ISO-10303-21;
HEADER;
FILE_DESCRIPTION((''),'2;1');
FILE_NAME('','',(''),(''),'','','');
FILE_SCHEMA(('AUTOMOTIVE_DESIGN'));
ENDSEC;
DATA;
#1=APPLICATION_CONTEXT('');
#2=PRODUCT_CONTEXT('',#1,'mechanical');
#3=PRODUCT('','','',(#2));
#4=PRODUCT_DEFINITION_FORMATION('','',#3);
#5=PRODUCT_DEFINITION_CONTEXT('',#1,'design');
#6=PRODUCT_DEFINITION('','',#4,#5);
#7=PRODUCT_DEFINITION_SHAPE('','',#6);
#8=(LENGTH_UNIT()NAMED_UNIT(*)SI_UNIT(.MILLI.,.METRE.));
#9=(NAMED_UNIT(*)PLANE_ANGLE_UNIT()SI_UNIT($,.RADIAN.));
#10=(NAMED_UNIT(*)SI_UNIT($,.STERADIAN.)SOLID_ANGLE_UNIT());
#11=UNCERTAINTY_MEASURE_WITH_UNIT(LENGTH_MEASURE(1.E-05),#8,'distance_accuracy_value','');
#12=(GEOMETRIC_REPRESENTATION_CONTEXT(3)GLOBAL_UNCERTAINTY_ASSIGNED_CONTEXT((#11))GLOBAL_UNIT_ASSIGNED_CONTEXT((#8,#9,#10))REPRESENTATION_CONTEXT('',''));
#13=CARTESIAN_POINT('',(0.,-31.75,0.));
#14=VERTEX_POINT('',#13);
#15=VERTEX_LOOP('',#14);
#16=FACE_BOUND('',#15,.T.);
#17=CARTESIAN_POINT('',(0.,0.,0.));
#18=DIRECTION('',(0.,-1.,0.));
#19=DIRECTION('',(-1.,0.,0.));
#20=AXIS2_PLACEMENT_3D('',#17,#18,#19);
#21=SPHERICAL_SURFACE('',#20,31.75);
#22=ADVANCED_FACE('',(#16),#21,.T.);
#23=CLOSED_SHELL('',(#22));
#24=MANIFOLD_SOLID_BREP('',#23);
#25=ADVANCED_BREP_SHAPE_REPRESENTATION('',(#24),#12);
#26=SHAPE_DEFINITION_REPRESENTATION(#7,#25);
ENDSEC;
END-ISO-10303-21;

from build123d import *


with BuildPart() as f1:
    # F0 (on Top) → F1 (revolve)
    with BuildSketch(Plane.XY):
        with BuildLine():
            Line((0, 0), (0, 31.75))
            ThreePointArc((0, 31.75), (-31.75, 0), (0, -31.75))
            Line((0, -31.75), (0, 0))
        make_face()
    revolve(axis=Axis((0, 0, 0), (0, -1, 0)))


solid = f1.part
